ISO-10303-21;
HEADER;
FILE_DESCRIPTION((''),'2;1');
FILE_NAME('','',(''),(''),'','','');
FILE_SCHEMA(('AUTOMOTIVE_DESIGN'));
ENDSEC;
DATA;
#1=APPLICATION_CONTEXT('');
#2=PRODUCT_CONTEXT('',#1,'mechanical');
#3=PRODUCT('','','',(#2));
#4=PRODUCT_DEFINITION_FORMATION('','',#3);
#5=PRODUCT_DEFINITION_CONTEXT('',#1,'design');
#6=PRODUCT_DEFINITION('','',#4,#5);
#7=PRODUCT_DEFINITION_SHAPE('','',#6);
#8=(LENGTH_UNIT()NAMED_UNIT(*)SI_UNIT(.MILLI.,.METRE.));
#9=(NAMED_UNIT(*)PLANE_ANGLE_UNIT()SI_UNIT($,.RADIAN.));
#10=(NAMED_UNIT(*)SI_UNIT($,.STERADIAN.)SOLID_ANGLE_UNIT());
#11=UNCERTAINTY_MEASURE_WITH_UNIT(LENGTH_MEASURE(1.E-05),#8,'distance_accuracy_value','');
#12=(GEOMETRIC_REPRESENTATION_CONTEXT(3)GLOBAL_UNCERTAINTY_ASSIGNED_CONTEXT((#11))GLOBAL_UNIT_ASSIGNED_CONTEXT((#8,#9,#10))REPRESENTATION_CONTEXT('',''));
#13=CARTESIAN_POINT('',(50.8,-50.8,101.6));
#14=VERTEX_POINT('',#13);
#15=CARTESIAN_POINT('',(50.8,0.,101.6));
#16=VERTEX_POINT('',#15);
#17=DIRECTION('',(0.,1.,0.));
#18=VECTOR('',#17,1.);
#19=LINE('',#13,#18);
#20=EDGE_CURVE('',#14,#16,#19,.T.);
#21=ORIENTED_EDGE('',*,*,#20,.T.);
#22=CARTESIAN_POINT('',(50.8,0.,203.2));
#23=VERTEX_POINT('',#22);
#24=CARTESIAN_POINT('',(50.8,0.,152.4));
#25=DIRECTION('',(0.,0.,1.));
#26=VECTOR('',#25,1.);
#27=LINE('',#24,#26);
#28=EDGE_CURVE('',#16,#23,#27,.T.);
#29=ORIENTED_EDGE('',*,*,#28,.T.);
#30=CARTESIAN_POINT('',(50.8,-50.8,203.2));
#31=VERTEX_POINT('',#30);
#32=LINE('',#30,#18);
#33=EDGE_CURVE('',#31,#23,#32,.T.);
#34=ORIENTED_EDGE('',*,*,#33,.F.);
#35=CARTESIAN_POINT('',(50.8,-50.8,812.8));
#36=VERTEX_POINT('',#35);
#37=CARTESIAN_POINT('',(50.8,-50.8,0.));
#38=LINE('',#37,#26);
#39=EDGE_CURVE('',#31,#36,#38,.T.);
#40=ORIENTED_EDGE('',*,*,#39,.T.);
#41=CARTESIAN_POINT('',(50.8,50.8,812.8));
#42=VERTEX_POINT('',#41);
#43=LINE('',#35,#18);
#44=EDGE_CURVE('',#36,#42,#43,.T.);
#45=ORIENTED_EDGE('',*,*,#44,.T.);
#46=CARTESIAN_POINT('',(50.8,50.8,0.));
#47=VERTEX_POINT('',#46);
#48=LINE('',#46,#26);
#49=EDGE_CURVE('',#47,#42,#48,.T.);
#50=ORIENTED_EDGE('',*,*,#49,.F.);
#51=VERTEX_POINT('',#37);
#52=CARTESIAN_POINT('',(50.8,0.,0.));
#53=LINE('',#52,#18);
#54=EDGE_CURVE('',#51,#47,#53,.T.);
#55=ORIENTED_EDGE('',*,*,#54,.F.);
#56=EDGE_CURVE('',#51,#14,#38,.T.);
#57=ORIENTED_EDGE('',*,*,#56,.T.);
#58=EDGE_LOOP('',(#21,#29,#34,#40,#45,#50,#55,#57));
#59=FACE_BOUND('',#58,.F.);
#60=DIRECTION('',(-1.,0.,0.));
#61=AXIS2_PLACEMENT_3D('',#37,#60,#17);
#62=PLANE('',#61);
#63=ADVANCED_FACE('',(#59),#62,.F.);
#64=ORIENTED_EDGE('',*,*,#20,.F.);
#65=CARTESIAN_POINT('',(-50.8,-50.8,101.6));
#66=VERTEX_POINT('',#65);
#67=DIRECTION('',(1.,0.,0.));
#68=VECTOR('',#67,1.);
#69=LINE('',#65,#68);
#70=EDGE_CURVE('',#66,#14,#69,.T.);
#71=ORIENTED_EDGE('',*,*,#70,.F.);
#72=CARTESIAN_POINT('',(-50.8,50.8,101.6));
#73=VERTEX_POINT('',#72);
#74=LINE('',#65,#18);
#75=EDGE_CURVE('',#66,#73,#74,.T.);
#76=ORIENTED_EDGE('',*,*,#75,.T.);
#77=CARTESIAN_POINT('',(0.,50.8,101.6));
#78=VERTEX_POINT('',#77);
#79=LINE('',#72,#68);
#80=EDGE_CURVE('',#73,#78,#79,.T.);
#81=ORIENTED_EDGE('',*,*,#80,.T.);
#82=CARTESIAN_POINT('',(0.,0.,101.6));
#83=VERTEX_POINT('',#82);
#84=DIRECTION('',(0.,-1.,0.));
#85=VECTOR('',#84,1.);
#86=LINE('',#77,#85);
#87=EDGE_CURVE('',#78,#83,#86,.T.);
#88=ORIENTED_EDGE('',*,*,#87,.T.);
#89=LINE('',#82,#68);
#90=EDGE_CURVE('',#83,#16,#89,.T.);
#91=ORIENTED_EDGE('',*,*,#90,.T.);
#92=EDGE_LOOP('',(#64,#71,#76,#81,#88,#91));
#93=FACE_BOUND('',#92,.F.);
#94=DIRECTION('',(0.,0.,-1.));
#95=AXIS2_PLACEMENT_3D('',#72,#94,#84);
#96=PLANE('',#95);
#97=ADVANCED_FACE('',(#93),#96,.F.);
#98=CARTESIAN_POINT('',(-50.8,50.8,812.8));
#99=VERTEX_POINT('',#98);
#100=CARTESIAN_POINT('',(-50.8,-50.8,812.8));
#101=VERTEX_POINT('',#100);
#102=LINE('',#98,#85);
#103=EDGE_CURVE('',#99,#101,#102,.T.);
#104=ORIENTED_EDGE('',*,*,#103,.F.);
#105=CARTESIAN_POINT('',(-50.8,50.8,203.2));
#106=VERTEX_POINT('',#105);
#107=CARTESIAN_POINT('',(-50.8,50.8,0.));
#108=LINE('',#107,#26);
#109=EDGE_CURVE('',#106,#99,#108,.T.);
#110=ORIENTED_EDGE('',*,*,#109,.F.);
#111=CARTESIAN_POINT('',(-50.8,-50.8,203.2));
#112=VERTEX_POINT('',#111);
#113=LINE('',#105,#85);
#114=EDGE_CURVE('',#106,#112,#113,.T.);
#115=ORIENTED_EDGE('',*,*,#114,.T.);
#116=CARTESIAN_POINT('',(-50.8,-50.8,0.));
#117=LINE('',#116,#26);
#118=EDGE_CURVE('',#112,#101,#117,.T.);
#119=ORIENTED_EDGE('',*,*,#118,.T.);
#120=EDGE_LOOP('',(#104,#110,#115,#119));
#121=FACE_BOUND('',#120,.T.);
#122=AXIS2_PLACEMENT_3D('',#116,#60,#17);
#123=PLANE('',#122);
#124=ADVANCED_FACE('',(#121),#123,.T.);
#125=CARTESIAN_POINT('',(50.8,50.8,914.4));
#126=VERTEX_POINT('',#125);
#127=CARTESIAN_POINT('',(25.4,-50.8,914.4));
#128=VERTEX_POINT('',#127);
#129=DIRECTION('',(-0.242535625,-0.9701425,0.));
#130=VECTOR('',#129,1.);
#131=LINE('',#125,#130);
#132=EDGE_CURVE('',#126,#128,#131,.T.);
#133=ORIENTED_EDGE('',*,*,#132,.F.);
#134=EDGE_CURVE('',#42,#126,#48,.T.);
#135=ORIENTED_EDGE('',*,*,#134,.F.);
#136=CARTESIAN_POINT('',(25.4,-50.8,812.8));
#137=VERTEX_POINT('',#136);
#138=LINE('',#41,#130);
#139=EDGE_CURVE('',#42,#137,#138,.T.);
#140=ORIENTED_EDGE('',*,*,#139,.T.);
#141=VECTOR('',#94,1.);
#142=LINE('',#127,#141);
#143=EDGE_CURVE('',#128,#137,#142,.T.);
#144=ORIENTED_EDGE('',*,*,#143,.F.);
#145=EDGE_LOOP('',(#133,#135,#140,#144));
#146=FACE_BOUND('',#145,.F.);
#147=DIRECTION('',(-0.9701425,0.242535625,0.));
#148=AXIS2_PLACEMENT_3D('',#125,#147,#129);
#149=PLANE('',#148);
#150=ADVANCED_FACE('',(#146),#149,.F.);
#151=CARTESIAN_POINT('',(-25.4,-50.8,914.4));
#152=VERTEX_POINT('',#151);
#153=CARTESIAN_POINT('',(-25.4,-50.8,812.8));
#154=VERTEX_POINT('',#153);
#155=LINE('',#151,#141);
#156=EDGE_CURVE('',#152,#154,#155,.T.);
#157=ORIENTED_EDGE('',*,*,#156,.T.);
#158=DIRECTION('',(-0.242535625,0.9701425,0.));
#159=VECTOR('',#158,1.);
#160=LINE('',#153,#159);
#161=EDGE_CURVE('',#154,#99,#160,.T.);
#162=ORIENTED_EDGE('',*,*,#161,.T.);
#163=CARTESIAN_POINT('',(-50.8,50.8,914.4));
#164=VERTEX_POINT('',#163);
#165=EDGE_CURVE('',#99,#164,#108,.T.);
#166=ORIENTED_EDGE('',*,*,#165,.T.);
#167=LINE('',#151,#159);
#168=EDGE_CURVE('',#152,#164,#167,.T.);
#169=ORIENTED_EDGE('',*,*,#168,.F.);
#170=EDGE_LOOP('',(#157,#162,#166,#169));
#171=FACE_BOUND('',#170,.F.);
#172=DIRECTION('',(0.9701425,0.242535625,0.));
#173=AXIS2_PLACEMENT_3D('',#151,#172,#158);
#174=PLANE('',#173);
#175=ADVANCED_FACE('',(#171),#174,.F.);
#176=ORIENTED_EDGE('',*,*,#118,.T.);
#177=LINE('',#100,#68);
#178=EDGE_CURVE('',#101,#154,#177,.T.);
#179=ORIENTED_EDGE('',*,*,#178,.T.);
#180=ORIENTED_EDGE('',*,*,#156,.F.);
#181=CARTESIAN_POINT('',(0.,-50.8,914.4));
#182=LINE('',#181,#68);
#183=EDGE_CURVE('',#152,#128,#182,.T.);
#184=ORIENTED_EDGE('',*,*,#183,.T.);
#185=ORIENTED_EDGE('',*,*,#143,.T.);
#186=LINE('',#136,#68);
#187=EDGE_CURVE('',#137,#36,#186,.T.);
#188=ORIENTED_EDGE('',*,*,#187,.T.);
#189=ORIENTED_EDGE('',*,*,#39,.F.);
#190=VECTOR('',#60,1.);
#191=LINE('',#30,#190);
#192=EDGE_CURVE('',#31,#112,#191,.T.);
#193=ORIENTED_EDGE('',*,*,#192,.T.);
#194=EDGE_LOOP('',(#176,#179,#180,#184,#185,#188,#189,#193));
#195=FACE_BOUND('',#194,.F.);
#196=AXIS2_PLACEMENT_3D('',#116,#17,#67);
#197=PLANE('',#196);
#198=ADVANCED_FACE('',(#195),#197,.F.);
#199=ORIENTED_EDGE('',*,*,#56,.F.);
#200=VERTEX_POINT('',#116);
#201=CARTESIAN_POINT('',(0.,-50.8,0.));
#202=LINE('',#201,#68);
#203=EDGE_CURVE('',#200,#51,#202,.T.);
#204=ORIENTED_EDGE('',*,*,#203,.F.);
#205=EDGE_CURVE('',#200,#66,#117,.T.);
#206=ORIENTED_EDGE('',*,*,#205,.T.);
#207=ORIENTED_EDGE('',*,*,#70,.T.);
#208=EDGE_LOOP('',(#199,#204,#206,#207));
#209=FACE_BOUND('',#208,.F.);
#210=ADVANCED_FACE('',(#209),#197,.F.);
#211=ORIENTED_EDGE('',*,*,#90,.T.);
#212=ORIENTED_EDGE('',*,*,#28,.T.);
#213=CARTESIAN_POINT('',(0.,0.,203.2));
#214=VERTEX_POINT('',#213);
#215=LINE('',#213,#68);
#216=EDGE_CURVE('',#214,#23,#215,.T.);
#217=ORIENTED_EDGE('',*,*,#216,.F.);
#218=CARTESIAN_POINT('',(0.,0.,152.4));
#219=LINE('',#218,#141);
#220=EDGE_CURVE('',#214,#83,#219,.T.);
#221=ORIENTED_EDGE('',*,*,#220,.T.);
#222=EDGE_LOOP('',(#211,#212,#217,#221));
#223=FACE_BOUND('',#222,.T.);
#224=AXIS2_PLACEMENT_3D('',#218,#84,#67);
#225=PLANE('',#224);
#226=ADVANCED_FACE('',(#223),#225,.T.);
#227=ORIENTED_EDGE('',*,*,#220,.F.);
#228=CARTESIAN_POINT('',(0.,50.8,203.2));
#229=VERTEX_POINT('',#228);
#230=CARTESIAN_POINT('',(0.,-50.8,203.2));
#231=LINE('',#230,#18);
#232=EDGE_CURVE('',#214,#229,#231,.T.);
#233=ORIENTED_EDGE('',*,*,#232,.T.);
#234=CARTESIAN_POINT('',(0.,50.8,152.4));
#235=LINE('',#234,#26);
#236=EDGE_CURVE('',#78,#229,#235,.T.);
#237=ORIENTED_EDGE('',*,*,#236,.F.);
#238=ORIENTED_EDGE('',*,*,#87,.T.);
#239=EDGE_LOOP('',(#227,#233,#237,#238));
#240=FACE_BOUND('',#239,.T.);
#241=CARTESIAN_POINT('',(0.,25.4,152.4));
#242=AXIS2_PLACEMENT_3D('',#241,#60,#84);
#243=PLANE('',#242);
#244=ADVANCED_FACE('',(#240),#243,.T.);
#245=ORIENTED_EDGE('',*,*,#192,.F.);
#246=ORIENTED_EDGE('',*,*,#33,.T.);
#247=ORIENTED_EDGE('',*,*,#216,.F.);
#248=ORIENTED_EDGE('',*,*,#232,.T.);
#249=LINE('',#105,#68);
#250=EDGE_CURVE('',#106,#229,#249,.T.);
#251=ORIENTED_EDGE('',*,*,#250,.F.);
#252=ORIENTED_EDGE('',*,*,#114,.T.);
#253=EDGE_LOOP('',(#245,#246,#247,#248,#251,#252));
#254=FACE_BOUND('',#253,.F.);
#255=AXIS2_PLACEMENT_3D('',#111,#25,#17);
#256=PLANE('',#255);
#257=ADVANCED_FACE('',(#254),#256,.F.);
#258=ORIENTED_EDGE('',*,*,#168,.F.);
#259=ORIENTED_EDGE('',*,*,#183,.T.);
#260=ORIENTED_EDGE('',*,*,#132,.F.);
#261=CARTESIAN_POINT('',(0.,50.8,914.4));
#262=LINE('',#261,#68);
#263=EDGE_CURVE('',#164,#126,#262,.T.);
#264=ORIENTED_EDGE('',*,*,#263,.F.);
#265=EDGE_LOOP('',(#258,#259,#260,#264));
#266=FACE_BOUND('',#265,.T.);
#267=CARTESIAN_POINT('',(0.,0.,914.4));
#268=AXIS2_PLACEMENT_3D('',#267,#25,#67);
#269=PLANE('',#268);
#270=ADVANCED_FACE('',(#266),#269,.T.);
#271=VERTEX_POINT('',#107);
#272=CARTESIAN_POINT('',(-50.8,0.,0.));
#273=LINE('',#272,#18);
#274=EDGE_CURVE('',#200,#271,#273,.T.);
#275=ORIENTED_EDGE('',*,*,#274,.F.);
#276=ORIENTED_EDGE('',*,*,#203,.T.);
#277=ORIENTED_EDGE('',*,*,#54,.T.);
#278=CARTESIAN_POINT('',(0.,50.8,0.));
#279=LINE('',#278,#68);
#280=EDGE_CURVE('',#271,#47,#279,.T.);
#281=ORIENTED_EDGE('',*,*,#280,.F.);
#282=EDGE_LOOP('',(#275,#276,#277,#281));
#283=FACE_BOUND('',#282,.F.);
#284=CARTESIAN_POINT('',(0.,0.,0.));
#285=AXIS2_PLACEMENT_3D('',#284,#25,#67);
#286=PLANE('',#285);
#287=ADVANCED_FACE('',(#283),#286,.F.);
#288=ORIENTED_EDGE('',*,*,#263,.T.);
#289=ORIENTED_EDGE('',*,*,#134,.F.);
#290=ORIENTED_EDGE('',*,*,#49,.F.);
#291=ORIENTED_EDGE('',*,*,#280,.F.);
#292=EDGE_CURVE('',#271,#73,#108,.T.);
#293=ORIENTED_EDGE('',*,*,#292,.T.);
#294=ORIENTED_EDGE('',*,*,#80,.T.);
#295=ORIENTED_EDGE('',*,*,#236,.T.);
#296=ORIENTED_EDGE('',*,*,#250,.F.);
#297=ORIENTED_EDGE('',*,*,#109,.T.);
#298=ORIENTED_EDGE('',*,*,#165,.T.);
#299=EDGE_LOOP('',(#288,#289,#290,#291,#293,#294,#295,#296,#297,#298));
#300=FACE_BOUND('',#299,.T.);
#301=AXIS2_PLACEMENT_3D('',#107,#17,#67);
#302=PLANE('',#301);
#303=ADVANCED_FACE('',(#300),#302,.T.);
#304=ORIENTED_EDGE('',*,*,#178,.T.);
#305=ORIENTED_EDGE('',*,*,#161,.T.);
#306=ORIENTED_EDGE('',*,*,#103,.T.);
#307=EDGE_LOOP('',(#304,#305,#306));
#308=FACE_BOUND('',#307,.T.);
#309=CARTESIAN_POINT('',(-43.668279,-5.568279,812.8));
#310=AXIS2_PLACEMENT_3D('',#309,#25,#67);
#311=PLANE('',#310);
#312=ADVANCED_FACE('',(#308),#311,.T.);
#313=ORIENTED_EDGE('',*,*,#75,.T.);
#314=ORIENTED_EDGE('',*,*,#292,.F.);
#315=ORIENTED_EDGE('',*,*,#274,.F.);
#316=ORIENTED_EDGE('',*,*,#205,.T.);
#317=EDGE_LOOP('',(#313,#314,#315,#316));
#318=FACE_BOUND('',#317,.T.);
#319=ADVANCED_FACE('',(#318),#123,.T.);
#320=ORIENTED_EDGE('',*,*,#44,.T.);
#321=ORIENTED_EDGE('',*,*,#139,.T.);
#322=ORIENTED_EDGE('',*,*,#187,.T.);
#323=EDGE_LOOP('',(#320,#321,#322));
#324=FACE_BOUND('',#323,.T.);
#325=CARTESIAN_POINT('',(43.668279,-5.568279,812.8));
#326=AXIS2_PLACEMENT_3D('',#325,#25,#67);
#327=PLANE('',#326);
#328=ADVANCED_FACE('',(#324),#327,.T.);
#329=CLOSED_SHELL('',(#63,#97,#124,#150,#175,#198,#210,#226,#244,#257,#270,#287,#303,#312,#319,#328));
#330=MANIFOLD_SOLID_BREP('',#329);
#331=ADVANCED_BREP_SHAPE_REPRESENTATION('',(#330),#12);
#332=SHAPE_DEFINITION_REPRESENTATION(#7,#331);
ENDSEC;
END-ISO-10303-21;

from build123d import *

# Parameters (mm, degrees)
F0_W     = 101.6
F0_H     = 101.6
F1_DEPTH = 914.4
F3_DEPTH = 101.6
F4_W     = 101.6
F4_H     = 101.6
F5_DEPTH = 50.8
F6_W     = 50.8
F6_H     = 101.6
F7_DEPTH = 50.8


with BuildPart() as f1:
    # F0 (on Top) → F1 (new body)
    with BuildSketch(Plane.XY):
        Rectangle(F0_W, F0_H)
    extrude(amount=F1_DEPTH)

    # F2 (on face) → F3 (cut)
    with BuildSketch(Plane.XY.offset(914.4)):
        Polygon((-25.4, -50.8), (-50.8, 50.8), (-50.8, -50.8), align=None)
        Polygon((50.8, -50.8), (50.8, 50.8), (25.4, -50.8), align=None)
    extrude(amount=-F3_DEPTH, mode=Mode.SUBTRACT)

    # F4 (on face) → F5 (cut)
    with BuildSketch(Plane.XZ.offset(50.8)):
        with Locations((0, 152.4)):
            Rectangle(F4_W, F4_H)
    extrude(amount=-F5_DEPTH, mode=Mode.SUBTRACT)

    # F6 (on face) → F7 (cut)
    with BuildSketch(Plane(origin=(-50.8, 0, 0), x_dir=(0, -1, 0), z_dir=(-1, 0, 0))):
        with Locations((-25.4, 152.4)):
            Rectangle(F6_W, F6_H)
        with Locations((25.4, 152.4)):
            Rectangle(F6_W, F6_H)
    extrude(amount=-F7_DEPTH, mode=Mode.SUBTRACT)


solid = f1.part
